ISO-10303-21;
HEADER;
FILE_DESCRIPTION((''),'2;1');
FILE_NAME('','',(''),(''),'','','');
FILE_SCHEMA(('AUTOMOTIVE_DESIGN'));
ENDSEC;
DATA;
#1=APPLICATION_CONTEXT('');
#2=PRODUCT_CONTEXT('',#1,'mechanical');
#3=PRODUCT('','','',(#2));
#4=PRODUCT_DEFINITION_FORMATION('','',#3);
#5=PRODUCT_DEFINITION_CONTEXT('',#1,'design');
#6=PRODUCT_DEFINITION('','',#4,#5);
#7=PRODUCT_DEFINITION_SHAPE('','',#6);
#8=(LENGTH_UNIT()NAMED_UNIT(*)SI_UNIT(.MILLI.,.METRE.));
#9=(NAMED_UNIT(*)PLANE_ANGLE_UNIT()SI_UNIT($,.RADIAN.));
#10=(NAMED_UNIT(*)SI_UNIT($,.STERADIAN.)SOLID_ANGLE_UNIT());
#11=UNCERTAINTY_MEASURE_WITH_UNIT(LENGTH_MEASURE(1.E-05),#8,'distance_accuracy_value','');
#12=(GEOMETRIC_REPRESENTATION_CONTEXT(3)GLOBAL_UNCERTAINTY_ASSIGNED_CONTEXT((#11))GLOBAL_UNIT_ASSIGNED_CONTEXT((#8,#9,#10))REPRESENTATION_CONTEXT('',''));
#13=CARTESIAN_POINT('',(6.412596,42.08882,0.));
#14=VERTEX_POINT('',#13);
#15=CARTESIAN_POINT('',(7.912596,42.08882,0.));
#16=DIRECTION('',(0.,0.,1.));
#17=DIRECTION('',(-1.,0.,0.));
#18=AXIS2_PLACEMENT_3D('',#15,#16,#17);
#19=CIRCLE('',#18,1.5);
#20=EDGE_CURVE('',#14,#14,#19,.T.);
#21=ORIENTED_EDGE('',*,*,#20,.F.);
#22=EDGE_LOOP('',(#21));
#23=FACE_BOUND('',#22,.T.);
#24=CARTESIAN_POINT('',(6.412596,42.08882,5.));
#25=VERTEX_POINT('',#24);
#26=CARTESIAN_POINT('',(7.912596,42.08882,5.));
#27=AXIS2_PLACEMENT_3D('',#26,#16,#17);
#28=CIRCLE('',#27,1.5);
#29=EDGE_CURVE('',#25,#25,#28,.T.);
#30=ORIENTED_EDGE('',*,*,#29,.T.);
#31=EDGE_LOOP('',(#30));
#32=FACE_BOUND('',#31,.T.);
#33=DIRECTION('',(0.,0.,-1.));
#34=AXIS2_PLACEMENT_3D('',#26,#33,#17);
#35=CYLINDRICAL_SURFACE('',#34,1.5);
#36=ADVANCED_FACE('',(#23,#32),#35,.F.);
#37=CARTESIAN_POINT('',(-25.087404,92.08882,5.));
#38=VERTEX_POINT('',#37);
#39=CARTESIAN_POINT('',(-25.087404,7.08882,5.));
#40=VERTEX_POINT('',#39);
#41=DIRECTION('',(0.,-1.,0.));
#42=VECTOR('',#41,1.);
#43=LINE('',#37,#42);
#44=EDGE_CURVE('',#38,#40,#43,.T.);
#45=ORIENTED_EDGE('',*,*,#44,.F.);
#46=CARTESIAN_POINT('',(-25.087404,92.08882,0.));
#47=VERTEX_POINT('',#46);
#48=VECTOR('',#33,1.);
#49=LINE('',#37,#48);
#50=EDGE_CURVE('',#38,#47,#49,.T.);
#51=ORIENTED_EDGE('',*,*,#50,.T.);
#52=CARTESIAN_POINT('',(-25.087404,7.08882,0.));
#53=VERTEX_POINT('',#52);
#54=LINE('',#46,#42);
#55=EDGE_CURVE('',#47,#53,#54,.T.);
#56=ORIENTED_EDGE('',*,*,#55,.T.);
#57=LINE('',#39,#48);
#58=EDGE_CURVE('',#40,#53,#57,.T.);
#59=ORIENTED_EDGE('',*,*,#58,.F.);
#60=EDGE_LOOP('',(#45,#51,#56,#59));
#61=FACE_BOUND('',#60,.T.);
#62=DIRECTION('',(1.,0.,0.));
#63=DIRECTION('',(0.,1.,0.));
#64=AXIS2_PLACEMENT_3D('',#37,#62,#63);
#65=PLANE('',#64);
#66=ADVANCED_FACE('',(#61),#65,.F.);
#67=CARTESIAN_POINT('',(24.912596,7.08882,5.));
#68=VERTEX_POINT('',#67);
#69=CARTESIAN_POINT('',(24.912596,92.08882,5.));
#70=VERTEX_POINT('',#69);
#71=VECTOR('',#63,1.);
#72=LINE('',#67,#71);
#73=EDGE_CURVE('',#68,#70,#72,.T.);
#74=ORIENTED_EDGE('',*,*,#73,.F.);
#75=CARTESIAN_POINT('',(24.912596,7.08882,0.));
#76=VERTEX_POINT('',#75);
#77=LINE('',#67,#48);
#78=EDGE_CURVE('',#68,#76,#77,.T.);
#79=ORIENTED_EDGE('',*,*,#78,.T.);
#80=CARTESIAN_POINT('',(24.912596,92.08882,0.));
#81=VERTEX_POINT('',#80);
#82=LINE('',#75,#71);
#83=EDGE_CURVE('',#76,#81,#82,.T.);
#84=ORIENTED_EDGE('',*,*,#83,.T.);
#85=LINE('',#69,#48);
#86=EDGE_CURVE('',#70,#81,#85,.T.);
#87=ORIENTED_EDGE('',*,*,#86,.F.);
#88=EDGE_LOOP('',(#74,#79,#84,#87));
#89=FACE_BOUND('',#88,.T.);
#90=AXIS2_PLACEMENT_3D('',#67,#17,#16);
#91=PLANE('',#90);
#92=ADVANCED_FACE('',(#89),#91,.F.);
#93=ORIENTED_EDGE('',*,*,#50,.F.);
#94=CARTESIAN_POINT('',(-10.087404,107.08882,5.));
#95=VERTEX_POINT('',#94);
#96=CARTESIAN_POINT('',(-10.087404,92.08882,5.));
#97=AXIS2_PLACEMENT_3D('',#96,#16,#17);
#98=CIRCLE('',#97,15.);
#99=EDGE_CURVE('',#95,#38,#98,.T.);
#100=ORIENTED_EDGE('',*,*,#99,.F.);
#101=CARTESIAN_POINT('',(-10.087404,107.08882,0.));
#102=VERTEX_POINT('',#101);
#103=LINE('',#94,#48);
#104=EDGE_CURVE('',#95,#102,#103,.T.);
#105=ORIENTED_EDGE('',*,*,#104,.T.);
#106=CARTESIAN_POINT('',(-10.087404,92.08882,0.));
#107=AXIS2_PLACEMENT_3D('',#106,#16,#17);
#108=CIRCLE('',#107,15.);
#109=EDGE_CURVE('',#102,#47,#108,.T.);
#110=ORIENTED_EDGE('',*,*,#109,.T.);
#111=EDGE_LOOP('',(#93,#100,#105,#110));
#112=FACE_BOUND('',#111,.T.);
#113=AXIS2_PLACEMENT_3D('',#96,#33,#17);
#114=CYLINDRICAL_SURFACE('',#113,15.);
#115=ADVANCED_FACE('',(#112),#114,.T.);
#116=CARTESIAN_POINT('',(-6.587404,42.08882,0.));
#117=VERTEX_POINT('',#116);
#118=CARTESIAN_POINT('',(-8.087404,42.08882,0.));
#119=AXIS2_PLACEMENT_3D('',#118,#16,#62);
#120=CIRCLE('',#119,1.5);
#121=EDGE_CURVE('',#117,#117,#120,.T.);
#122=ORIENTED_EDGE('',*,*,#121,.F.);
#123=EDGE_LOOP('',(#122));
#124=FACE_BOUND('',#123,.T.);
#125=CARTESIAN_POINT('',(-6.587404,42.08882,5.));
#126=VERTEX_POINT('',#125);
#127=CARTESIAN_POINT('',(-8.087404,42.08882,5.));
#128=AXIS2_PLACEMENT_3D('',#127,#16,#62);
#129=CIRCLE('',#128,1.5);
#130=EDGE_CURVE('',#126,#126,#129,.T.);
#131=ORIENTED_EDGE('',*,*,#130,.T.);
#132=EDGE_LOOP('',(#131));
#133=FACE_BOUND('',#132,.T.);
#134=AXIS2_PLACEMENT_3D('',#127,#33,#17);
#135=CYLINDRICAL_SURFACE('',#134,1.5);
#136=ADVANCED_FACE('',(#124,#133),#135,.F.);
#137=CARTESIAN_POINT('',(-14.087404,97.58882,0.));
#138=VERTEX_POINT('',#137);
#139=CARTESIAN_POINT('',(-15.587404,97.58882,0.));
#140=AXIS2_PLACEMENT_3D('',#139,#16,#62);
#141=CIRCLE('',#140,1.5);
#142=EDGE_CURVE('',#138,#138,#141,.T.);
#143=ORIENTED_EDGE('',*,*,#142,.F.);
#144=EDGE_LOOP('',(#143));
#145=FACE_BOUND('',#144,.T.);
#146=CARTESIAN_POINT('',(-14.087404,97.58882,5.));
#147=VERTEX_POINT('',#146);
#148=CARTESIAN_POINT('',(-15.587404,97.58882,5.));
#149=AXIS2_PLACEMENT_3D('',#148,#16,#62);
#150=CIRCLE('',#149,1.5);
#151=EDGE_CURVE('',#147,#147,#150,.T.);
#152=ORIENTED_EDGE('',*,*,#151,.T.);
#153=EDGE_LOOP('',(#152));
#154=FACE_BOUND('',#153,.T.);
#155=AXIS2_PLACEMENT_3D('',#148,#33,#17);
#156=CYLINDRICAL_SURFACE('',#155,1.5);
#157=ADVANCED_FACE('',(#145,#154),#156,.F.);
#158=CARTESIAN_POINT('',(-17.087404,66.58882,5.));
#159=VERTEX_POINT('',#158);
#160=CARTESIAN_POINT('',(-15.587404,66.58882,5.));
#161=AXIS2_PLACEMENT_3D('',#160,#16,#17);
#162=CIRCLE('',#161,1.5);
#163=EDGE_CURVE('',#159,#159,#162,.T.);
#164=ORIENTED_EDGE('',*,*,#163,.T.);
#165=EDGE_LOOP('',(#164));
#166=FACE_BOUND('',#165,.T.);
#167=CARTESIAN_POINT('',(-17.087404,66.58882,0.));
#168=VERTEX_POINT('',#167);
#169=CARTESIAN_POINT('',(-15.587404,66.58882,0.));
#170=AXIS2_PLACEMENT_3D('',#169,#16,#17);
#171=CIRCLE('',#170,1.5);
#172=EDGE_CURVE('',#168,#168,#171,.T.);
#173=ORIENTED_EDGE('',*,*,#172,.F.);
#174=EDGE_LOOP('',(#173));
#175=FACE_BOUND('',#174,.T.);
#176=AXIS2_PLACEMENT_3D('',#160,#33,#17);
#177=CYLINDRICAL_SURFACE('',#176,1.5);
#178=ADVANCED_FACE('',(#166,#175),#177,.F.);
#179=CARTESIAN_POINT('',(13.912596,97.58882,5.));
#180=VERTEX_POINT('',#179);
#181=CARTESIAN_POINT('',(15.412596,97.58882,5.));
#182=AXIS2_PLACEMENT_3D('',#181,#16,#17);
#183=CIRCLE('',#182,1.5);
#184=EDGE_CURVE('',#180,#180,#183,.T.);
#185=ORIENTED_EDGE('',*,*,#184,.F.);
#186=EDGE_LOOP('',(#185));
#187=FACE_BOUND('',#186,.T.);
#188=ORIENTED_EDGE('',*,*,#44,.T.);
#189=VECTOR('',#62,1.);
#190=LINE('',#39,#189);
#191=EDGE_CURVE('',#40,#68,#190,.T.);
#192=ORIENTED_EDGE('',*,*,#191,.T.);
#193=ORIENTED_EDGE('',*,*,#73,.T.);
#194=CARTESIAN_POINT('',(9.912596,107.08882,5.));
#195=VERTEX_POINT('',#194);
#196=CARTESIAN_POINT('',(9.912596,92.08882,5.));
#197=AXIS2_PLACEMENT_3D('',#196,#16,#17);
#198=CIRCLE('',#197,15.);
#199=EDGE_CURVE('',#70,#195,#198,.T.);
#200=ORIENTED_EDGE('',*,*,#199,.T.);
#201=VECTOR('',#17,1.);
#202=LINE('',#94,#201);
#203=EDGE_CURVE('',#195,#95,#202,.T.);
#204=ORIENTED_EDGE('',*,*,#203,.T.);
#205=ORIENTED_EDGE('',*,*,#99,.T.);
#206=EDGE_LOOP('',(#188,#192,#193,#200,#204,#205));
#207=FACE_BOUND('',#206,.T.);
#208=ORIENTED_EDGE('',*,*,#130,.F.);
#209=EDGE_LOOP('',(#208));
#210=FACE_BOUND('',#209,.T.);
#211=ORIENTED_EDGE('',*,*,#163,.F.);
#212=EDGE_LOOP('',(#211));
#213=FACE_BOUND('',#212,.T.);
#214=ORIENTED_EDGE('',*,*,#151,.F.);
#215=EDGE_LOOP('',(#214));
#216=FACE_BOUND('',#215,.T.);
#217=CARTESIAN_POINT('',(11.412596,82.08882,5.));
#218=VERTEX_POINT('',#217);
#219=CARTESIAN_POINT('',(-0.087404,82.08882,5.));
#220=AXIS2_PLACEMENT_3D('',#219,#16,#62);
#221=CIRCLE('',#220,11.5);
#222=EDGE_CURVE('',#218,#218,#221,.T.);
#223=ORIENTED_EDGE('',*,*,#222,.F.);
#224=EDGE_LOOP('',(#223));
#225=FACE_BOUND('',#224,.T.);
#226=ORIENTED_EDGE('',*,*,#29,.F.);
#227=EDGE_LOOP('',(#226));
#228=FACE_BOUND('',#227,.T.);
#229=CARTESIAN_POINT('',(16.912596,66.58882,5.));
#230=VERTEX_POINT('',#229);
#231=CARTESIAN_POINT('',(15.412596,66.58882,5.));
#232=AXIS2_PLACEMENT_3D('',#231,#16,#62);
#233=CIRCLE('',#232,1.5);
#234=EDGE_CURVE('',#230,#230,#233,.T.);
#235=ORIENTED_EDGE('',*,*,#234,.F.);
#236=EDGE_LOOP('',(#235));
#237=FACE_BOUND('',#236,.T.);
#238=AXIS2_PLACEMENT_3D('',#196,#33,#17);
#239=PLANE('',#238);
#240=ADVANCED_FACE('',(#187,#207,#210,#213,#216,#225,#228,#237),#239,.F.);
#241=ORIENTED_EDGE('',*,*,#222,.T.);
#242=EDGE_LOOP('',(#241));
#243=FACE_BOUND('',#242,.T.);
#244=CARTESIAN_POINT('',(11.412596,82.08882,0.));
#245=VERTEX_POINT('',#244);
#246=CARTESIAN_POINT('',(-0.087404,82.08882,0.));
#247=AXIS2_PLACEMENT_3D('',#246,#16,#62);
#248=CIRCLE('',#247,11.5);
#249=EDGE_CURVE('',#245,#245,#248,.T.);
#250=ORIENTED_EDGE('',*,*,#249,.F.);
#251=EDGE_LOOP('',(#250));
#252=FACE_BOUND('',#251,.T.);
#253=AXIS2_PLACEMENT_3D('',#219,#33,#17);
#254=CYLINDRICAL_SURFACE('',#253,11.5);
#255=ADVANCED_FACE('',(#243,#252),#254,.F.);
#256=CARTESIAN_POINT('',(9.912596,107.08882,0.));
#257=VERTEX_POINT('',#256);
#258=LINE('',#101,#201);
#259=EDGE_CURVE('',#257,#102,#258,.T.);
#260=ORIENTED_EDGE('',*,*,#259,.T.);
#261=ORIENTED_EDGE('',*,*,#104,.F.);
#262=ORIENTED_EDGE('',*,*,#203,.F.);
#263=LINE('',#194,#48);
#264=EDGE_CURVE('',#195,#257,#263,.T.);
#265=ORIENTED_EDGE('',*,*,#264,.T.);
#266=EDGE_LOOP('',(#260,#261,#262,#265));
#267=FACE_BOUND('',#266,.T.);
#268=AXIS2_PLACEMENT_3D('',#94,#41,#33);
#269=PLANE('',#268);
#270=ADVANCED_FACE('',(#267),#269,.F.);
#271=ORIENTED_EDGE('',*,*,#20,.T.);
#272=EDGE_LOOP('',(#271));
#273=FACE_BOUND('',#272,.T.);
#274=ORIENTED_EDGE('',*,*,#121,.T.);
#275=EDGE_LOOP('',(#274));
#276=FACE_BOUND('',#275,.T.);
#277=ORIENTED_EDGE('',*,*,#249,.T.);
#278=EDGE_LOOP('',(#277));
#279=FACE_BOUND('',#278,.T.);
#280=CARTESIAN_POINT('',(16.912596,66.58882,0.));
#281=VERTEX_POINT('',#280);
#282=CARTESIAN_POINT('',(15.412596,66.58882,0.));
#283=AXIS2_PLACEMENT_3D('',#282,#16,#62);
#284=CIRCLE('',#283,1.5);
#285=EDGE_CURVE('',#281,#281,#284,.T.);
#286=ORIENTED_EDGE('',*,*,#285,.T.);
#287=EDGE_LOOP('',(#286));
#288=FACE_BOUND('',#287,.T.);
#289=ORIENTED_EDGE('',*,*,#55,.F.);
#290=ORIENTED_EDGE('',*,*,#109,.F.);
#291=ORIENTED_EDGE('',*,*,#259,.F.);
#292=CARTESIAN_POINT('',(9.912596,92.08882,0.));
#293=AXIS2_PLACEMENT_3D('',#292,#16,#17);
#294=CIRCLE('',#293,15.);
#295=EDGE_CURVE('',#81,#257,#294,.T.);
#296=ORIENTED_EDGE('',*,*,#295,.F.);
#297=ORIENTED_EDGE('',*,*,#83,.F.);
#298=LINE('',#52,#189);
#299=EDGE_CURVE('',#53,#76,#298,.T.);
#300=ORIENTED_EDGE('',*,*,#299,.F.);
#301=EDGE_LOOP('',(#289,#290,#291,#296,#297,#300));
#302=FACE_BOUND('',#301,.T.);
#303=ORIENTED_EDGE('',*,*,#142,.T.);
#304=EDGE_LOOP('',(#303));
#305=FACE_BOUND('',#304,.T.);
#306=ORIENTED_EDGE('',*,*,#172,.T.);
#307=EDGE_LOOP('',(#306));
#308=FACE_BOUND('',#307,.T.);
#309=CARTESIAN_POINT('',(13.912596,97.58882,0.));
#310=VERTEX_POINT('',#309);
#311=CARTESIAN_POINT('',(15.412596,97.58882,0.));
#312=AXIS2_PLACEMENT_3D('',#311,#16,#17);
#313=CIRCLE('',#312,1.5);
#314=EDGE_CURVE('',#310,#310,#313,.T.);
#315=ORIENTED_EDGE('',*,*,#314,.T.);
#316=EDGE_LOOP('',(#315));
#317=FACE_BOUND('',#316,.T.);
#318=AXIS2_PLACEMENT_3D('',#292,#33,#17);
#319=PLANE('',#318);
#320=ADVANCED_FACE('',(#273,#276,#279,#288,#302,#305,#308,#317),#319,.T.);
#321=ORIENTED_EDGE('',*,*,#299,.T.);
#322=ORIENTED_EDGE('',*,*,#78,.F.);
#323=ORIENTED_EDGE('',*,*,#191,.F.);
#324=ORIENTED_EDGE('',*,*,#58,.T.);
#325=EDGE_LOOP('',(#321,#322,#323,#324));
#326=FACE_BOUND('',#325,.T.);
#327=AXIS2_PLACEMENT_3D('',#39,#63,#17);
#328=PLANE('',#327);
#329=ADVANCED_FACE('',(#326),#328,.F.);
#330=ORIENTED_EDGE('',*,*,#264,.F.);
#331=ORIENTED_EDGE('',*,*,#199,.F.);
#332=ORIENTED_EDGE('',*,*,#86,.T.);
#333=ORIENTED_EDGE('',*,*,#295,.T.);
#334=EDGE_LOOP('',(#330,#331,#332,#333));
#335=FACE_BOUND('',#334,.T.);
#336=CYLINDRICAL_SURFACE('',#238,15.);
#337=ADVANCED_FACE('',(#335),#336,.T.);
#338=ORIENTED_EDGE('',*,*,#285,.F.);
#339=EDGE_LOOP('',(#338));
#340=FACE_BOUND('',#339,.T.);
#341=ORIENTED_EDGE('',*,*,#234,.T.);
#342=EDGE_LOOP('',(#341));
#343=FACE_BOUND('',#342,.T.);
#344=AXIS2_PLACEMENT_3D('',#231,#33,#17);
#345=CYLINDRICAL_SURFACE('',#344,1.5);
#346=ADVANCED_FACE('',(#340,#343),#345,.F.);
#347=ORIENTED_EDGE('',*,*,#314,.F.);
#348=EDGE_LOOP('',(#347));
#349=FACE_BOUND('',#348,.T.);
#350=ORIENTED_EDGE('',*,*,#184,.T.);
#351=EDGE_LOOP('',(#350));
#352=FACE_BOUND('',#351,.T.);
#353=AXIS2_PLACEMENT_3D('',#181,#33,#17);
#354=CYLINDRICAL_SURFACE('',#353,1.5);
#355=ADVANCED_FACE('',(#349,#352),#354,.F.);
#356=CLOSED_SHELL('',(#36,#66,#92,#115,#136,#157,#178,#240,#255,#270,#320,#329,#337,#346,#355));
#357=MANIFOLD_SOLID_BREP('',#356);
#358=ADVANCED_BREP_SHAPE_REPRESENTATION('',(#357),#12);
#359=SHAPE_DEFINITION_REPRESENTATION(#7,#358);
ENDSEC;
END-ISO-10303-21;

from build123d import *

# Parameters (mm, degrees)
SKETCH4_R           = 11.5
SKETCH4_R_2         = 1.5
BOSS_EXTRUDE1_DEPTH = 5


with BuildPart() as part:
    # Sketch4 → Boss-Extrude1 (new body)
    with BuildSketch(Plane.XY):
        with BuildLine():
            Line((-10.087403903, 107.088819702), (9.912596097, 107.088819702))
            ThreePointArc((9.912596097, 107.088819702), (20.519197815, 102.695421419), (24.912596097, 92.088819702))
            Line((24.912596097, 92.088819702), (24.912596097, 7.088819702))
            Line((24.912596097, 7.088819702), (-25.087403903, 7.088819702))
            Line((-25.087403903, 7.088819702), (-25.087403903, 92.088819702))
            ThreePointArc((-25.087403903, 92.088819702), (-20.694005621, 102.695421419), (-10.087403903, 107.088819702))
        make_face()
        with Locations((-0.087403903, 82.088819702)):
            Circle(SKETCH4_R, mode=Mode.SUBTRACT)
        with Locations((15.412596097, 66.588819702)):
            Circle(SKETCH4_R_2, mode=Mode.SUBTRACT)
        with Locations(Location((-15.587403903, 66.588819702, 0), (0, 0, 180))):
            Circle(SKETCH4_R_2, mode=Mode.SUBTRACT)
        with Locations(Location((15.412596097, 97.588819702, 0), (0, 0, 180))):
            Circle(SKETCH4_R_2, mode=Mode.SUBTRACT)
        with Locations((-15.587403903, 97.588819702)):
            Circle(SKETCH4_R_2, mode=Mode.SUBTRACT)
        with Locations((-8.087403903, 42.088819702)):
            Circle(SKETCH4_R_2, mode=Mode.SUBTRACT)
        with Locations(Location((7.912596097, 42.088819702, 0), (0, 0, 180))):
            Circle(SKETCH4_R_2, mode=Mode.SUBTRACT)
    extrude(amount=BOSS_EXTRUDE1_DEPTH)


solid = part.part
